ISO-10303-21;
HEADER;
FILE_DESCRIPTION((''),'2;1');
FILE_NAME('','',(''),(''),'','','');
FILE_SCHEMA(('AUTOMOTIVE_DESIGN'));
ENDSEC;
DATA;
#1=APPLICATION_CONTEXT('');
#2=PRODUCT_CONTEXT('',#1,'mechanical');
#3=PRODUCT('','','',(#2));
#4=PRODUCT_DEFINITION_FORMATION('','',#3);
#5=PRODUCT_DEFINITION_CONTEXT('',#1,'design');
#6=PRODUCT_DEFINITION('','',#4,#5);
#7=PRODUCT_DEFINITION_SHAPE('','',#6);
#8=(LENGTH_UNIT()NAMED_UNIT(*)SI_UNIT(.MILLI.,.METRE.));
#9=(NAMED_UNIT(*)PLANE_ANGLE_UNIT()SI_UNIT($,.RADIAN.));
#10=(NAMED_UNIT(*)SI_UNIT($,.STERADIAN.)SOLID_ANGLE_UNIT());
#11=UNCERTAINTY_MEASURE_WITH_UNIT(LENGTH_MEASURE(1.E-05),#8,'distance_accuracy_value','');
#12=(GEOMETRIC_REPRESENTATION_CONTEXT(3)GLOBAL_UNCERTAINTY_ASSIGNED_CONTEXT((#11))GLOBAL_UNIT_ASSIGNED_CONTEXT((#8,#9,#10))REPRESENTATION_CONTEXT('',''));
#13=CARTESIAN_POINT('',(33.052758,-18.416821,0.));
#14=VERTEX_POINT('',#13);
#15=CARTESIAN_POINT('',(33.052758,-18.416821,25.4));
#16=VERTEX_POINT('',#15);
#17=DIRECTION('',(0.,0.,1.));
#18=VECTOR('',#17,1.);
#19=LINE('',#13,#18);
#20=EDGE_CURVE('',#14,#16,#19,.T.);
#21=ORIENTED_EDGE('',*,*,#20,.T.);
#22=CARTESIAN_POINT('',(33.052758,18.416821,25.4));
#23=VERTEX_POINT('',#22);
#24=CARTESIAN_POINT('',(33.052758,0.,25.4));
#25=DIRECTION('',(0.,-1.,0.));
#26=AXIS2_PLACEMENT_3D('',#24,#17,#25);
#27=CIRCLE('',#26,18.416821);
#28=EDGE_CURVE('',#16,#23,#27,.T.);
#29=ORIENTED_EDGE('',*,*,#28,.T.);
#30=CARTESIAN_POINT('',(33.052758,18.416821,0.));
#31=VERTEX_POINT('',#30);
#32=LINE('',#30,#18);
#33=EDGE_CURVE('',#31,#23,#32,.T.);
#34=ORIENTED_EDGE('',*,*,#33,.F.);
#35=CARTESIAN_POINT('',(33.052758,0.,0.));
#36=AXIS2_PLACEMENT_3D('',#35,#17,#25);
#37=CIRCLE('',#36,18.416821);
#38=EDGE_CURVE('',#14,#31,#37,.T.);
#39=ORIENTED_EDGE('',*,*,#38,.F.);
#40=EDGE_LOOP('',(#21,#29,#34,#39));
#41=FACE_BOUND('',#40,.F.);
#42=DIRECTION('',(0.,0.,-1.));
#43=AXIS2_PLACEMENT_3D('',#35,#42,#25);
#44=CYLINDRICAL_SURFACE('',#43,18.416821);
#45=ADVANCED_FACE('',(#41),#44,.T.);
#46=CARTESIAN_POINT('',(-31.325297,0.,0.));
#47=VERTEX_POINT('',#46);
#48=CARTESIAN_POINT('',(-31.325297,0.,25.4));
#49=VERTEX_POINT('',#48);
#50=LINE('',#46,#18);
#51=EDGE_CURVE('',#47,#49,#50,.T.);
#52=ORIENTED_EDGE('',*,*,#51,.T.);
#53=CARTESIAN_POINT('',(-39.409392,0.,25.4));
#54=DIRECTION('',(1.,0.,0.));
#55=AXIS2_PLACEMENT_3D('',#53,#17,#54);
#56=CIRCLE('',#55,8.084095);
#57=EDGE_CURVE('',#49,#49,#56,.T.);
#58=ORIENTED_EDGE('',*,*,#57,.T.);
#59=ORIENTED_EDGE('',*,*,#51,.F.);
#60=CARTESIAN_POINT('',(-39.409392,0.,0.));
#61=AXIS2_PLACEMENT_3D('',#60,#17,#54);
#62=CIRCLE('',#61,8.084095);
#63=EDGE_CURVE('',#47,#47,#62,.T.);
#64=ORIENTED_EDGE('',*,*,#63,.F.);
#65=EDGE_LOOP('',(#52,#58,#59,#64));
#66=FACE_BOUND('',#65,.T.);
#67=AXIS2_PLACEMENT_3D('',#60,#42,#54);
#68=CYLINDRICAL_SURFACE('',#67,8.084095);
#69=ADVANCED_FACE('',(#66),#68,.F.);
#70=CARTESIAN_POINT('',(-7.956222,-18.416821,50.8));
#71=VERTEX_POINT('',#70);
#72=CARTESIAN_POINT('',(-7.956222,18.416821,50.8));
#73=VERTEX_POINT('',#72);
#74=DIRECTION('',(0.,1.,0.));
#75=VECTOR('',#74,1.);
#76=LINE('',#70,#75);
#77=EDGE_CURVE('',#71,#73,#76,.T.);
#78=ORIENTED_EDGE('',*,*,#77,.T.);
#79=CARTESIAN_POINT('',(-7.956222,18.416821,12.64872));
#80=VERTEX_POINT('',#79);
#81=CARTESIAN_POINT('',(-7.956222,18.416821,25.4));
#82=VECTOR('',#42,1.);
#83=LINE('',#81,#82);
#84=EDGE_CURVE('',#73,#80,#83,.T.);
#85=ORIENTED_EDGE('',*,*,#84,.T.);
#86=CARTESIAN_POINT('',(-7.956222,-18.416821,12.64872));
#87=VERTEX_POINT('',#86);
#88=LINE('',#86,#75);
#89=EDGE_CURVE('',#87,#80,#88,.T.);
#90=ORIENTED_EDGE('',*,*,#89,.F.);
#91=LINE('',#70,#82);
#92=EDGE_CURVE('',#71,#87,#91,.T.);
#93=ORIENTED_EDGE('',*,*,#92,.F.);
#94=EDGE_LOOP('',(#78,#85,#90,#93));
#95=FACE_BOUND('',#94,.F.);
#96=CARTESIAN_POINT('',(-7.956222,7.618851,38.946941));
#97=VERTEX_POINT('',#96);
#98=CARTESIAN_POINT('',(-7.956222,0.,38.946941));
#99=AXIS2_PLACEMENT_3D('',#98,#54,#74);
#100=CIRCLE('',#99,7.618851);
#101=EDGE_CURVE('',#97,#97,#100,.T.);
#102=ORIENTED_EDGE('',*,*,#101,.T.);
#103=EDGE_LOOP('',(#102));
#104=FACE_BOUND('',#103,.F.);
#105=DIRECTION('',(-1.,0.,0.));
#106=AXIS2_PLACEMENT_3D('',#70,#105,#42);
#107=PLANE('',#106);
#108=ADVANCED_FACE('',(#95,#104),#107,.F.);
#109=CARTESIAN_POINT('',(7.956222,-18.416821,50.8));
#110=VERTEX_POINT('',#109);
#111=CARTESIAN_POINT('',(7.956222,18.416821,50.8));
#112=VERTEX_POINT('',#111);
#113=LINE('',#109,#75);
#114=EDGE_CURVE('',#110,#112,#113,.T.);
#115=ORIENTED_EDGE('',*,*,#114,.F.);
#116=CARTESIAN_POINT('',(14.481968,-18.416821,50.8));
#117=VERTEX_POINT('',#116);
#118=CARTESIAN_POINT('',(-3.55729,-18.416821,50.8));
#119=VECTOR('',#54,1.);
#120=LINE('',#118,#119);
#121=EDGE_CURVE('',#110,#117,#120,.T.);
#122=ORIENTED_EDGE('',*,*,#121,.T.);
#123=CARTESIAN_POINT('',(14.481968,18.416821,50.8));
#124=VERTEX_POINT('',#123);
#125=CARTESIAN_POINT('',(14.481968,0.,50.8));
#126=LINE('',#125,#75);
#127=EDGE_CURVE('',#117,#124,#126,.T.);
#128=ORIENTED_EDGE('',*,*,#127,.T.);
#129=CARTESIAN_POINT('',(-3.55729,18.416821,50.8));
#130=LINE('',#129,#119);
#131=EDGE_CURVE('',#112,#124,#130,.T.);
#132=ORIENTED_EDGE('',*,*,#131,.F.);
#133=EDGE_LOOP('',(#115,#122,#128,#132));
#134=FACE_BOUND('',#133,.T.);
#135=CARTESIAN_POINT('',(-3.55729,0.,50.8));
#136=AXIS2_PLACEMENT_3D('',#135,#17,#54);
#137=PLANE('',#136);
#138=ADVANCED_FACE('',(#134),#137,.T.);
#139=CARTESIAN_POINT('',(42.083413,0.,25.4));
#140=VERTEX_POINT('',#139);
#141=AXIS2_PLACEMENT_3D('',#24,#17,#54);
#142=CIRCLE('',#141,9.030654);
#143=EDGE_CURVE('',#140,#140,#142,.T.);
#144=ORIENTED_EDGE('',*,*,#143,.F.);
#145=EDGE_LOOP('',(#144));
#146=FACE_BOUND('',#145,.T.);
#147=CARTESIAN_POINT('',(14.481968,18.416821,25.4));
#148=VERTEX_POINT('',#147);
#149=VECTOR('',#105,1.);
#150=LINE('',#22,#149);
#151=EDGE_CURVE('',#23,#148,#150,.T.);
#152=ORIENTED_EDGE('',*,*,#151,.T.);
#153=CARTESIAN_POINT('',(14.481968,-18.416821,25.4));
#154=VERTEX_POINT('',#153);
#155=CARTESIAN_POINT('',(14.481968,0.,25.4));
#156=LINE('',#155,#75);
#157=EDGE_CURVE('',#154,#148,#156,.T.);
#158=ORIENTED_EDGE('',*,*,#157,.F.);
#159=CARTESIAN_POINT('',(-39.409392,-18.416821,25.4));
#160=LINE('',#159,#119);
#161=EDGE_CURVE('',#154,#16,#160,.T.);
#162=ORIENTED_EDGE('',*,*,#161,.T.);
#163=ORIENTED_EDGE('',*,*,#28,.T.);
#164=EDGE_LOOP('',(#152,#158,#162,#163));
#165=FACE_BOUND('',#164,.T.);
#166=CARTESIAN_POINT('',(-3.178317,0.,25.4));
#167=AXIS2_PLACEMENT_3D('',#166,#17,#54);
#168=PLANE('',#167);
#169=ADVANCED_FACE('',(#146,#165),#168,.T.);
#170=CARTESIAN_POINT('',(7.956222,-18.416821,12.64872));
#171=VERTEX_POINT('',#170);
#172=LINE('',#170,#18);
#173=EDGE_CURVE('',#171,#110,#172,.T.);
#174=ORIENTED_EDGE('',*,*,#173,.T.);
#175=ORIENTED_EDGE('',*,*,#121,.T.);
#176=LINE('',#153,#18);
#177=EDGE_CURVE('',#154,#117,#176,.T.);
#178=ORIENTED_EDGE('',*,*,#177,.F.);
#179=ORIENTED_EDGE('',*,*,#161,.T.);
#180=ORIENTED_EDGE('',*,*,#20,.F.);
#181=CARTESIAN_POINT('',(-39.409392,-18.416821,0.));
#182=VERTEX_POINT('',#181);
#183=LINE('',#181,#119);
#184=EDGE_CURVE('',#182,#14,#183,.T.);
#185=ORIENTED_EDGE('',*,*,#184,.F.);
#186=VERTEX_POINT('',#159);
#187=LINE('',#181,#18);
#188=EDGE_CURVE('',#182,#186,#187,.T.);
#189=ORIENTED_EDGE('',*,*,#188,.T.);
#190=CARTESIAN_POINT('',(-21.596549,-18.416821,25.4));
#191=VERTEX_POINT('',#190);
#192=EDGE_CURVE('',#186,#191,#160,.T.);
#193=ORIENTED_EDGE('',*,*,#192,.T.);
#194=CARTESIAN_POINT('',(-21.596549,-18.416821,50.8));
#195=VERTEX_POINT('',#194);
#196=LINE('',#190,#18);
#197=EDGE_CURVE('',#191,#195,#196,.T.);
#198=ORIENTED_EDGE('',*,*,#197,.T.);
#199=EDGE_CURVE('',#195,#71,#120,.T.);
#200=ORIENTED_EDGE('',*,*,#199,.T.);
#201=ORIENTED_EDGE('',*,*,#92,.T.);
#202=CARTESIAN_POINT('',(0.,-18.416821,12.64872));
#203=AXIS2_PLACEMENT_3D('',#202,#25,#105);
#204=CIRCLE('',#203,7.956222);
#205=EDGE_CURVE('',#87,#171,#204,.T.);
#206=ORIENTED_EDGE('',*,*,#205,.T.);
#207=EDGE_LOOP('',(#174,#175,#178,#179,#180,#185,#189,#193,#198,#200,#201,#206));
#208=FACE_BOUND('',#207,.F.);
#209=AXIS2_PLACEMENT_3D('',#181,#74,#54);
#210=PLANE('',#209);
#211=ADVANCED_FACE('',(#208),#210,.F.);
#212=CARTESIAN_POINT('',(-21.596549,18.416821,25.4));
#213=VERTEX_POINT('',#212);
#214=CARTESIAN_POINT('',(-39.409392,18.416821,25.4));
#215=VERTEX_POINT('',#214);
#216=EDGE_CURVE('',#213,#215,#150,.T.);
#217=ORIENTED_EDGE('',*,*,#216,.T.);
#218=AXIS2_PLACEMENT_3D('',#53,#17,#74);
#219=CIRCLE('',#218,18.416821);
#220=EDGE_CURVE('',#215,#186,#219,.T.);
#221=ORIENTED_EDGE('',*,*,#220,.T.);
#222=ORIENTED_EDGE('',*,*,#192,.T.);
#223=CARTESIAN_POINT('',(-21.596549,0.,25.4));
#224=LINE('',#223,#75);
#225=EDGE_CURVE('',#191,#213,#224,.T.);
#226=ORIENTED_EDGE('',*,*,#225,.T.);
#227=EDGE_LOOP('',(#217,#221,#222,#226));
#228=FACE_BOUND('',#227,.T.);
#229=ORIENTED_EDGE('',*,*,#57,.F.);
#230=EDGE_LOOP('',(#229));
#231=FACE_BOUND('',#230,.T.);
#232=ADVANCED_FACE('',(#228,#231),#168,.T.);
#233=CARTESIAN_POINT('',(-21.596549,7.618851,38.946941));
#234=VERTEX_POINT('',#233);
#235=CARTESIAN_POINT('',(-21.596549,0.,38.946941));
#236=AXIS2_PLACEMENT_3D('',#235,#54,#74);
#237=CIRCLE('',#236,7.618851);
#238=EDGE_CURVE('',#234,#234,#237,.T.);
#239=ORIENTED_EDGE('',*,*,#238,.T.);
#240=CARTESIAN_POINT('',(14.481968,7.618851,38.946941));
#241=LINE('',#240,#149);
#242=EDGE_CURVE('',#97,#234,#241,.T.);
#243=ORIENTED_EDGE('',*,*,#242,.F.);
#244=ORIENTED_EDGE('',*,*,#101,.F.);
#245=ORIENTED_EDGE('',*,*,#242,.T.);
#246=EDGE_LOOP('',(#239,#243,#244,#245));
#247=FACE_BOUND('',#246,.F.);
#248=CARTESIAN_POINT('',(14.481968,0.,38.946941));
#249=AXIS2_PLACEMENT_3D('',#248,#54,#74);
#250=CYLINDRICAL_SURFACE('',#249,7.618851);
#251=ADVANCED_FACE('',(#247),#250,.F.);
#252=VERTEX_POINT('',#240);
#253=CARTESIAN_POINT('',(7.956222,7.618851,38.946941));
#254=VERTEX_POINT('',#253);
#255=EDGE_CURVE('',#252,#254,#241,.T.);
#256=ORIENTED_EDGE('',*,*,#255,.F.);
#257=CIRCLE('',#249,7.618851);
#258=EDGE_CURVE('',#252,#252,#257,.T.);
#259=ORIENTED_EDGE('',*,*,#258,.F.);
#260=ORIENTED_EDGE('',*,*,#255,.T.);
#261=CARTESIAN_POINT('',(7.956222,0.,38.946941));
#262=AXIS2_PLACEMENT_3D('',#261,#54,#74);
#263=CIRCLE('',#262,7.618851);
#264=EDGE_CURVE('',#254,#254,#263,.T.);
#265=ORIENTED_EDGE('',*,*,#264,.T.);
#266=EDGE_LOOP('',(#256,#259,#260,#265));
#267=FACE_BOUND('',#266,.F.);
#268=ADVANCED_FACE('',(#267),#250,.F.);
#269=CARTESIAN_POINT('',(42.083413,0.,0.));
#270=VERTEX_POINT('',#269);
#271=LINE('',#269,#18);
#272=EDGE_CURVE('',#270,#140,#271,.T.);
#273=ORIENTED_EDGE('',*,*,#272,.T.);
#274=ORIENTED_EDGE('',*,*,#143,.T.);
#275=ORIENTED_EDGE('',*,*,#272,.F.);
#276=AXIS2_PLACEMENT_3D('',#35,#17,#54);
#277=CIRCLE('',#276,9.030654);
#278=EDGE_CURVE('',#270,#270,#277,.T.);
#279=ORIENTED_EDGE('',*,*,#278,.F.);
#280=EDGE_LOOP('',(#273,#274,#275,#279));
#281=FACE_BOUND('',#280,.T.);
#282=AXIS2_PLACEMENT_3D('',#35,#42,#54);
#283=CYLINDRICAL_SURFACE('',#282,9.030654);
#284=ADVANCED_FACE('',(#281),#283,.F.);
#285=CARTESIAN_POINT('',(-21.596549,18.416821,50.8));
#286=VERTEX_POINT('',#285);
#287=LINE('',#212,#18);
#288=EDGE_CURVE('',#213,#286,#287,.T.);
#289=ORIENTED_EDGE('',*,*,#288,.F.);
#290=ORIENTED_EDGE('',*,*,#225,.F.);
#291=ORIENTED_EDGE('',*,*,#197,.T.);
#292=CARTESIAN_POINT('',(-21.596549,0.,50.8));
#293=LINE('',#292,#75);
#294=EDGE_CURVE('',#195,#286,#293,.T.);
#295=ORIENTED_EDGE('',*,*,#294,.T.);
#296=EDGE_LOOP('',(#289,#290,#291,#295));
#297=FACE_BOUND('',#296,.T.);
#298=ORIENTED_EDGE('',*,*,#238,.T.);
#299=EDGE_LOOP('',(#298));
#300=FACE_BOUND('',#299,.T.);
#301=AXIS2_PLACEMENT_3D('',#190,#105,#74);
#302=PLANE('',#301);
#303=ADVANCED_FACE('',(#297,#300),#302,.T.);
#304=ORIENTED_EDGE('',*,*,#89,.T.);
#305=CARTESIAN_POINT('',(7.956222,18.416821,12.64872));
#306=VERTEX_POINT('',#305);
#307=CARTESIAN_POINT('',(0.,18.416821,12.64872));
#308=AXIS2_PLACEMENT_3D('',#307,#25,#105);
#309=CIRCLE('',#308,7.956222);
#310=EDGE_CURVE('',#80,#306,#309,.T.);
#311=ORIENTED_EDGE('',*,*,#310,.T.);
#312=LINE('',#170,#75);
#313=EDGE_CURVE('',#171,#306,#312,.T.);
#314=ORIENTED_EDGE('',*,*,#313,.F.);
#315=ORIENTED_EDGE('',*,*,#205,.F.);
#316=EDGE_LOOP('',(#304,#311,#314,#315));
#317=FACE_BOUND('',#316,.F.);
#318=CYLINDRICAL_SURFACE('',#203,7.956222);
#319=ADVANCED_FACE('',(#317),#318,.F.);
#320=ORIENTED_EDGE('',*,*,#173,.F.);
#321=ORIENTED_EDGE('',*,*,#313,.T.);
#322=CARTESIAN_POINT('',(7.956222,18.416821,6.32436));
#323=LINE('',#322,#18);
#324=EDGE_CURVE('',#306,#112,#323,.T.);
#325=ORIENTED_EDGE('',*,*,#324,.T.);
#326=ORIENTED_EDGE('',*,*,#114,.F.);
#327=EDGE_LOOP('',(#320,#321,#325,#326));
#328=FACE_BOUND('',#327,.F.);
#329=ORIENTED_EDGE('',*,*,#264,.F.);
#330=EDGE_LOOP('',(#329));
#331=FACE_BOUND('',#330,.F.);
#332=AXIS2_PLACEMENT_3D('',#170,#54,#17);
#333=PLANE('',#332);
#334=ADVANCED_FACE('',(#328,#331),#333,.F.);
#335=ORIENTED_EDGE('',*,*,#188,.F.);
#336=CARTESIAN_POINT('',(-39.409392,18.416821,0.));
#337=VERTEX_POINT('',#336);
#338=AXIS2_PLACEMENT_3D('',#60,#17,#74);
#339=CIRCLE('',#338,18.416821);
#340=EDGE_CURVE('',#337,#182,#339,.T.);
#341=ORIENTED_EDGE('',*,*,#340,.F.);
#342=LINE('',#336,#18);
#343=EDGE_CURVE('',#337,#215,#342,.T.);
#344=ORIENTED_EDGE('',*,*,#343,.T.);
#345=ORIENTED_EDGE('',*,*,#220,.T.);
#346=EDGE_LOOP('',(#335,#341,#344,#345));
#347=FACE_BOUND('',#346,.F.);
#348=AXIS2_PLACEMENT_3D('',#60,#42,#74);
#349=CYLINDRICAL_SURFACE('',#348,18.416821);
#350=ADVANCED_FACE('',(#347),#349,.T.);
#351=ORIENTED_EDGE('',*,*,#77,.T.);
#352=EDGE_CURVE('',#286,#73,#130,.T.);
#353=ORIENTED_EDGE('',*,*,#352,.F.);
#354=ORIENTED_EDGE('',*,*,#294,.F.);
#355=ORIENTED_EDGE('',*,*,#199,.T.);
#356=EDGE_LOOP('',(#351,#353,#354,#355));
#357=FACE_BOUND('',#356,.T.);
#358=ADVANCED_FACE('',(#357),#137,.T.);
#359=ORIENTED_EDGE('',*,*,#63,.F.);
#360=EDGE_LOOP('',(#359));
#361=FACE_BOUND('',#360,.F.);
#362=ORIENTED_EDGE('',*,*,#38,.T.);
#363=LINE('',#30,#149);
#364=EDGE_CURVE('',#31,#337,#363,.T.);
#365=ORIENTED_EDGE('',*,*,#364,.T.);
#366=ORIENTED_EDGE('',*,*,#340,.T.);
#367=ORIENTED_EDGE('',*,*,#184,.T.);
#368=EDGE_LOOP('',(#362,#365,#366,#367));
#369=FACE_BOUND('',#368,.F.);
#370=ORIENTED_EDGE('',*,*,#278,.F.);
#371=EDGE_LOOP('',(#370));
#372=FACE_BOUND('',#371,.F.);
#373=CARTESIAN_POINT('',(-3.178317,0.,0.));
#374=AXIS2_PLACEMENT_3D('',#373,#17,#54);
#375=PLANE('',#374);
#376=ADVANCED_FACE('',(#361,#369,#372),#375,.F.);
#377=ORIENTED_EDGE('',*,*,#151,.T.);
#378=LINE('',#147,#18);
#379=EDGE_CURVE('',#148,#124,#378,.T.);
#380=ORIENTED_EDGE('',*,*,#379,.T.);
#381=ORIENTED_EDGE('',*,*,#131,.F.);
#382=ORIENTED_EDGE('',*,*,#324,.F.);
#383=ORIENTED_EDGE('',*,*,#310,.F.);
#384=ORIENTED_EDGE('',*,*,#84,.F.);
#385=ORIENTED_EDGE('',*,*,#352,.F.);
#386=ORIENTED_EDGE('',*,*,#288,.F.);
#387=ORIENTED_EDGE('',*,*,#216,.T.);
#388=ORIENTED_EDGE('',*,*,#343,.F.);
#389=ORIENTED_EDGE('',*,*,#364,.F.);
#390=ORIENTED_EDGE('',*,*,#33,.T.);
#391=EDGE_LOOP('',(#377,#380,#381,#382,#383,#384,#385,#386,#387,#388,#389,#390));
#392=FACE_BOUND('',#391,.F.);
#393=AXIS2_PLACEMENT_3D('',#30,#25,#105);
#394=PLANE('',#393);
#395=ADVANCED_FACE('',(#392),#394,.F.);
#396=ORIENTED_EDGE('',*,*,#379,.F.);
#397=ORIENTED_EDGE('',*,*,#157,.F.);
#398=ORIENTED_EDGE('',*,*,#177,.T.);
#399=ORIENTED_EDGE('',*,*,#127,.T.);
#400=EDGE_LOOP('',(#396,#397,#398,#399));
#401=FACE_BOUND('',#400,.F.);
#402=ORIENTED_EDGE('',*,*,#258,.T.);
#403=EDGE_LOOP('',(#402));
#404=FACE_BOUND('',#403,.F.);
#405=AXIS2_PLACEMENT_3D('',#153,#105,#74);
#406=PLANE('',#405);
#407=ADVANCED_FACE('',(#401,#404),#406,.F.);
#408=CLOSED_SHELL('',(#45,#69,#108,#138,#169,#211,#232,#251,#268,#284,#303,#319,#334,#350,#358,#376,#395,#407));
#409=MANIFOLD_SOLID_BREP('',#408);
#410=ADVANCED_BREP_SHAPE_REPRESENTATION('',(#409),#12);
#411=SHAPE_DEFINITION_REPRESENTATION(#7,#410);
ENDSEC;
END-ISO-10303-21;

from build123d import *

# Parameters (mm, degrees)
F0_R     = 8.0840946313
F0_R_2   = 9.0306543007
F1_DEPTH = 25.4
F2_W     = 36.0785173252
F2_H     = 36.8336421636
F3_DEPTH = 25.4
F5_DEPTH = 36.8346421636
F6_R     = 7.6188514612
F7_DEPTH = 72.3091809102


with BuildPart() as f1:
    # F0 (on Top) → F1 (new body)
    with BuildSketch(Plane.XY):
        with BuildLine():
            Line((33.0527582523, 18.4168210818), (-39.409391582, 18.4168210818))
            ThreePointArc((-39.409391582, 18.4168210818), (-57.8262126638, 0), (-39.409391582, -18.4168210818))
            Line((-39.409391582, -18.4168210818), (33.0527582523, -18.4168210818))
            ThreePointArc((33.0527582523, -18.4168210818), (51.4695793341, 0), (33.0527582523, 18.4168210818))
        make_face()
        with Locations((-39.409391582, 0)):
            Circle(F0_R, mode=Mode.SUBTRACT)
        with Locations((33.0527582523, 0)):
            Circle(F0_R_2, mode=Mode.SUBTRACT)
    extrude(amount=F1_DEPTH)

    # F2 (on face) → F3 (join)
    with BuildSketch(Plane.XY.offset(25.4)):
        with Locations((-3.5572904162, 0)):
            Rectangle(F2_W, F2_H)
    extrude(amount=F3_DEPTH)

    # F4 (on face) → F5 (cut, through all)
    with BuildSketch(Plane.XZ.offset(18.4168210818)):
        with BuildLine():
            Line((-7.9562223055, 50.8), (-7.9562223055, 12.6487202942))
            ThreePointArc((-7.9562223055, 12.6487202942), (0, 4.6924979887), (7.9562223055, 12.6487202942))
            Line((7.9562223055, 12.6487202942), (7.9562223055, 50.8))
            Line((7.9562223055, 50.8), (-7.9562223055, 50.8))
        make_face()
    extrude(amount=-F5_DEPTH, mode=Mode.SUBTRACT)

    # F6 (on face) → F7 (cut, through all)
    with BuildSketch(Plane.YZ.offset(14.4819682464)):
        with Locations((0, 38.9469414949)):
            Circle(F6_R)
    extrude(amount=-F7_DEPTH, mode=Mode.SUBTRACT)


solid = f1.part
